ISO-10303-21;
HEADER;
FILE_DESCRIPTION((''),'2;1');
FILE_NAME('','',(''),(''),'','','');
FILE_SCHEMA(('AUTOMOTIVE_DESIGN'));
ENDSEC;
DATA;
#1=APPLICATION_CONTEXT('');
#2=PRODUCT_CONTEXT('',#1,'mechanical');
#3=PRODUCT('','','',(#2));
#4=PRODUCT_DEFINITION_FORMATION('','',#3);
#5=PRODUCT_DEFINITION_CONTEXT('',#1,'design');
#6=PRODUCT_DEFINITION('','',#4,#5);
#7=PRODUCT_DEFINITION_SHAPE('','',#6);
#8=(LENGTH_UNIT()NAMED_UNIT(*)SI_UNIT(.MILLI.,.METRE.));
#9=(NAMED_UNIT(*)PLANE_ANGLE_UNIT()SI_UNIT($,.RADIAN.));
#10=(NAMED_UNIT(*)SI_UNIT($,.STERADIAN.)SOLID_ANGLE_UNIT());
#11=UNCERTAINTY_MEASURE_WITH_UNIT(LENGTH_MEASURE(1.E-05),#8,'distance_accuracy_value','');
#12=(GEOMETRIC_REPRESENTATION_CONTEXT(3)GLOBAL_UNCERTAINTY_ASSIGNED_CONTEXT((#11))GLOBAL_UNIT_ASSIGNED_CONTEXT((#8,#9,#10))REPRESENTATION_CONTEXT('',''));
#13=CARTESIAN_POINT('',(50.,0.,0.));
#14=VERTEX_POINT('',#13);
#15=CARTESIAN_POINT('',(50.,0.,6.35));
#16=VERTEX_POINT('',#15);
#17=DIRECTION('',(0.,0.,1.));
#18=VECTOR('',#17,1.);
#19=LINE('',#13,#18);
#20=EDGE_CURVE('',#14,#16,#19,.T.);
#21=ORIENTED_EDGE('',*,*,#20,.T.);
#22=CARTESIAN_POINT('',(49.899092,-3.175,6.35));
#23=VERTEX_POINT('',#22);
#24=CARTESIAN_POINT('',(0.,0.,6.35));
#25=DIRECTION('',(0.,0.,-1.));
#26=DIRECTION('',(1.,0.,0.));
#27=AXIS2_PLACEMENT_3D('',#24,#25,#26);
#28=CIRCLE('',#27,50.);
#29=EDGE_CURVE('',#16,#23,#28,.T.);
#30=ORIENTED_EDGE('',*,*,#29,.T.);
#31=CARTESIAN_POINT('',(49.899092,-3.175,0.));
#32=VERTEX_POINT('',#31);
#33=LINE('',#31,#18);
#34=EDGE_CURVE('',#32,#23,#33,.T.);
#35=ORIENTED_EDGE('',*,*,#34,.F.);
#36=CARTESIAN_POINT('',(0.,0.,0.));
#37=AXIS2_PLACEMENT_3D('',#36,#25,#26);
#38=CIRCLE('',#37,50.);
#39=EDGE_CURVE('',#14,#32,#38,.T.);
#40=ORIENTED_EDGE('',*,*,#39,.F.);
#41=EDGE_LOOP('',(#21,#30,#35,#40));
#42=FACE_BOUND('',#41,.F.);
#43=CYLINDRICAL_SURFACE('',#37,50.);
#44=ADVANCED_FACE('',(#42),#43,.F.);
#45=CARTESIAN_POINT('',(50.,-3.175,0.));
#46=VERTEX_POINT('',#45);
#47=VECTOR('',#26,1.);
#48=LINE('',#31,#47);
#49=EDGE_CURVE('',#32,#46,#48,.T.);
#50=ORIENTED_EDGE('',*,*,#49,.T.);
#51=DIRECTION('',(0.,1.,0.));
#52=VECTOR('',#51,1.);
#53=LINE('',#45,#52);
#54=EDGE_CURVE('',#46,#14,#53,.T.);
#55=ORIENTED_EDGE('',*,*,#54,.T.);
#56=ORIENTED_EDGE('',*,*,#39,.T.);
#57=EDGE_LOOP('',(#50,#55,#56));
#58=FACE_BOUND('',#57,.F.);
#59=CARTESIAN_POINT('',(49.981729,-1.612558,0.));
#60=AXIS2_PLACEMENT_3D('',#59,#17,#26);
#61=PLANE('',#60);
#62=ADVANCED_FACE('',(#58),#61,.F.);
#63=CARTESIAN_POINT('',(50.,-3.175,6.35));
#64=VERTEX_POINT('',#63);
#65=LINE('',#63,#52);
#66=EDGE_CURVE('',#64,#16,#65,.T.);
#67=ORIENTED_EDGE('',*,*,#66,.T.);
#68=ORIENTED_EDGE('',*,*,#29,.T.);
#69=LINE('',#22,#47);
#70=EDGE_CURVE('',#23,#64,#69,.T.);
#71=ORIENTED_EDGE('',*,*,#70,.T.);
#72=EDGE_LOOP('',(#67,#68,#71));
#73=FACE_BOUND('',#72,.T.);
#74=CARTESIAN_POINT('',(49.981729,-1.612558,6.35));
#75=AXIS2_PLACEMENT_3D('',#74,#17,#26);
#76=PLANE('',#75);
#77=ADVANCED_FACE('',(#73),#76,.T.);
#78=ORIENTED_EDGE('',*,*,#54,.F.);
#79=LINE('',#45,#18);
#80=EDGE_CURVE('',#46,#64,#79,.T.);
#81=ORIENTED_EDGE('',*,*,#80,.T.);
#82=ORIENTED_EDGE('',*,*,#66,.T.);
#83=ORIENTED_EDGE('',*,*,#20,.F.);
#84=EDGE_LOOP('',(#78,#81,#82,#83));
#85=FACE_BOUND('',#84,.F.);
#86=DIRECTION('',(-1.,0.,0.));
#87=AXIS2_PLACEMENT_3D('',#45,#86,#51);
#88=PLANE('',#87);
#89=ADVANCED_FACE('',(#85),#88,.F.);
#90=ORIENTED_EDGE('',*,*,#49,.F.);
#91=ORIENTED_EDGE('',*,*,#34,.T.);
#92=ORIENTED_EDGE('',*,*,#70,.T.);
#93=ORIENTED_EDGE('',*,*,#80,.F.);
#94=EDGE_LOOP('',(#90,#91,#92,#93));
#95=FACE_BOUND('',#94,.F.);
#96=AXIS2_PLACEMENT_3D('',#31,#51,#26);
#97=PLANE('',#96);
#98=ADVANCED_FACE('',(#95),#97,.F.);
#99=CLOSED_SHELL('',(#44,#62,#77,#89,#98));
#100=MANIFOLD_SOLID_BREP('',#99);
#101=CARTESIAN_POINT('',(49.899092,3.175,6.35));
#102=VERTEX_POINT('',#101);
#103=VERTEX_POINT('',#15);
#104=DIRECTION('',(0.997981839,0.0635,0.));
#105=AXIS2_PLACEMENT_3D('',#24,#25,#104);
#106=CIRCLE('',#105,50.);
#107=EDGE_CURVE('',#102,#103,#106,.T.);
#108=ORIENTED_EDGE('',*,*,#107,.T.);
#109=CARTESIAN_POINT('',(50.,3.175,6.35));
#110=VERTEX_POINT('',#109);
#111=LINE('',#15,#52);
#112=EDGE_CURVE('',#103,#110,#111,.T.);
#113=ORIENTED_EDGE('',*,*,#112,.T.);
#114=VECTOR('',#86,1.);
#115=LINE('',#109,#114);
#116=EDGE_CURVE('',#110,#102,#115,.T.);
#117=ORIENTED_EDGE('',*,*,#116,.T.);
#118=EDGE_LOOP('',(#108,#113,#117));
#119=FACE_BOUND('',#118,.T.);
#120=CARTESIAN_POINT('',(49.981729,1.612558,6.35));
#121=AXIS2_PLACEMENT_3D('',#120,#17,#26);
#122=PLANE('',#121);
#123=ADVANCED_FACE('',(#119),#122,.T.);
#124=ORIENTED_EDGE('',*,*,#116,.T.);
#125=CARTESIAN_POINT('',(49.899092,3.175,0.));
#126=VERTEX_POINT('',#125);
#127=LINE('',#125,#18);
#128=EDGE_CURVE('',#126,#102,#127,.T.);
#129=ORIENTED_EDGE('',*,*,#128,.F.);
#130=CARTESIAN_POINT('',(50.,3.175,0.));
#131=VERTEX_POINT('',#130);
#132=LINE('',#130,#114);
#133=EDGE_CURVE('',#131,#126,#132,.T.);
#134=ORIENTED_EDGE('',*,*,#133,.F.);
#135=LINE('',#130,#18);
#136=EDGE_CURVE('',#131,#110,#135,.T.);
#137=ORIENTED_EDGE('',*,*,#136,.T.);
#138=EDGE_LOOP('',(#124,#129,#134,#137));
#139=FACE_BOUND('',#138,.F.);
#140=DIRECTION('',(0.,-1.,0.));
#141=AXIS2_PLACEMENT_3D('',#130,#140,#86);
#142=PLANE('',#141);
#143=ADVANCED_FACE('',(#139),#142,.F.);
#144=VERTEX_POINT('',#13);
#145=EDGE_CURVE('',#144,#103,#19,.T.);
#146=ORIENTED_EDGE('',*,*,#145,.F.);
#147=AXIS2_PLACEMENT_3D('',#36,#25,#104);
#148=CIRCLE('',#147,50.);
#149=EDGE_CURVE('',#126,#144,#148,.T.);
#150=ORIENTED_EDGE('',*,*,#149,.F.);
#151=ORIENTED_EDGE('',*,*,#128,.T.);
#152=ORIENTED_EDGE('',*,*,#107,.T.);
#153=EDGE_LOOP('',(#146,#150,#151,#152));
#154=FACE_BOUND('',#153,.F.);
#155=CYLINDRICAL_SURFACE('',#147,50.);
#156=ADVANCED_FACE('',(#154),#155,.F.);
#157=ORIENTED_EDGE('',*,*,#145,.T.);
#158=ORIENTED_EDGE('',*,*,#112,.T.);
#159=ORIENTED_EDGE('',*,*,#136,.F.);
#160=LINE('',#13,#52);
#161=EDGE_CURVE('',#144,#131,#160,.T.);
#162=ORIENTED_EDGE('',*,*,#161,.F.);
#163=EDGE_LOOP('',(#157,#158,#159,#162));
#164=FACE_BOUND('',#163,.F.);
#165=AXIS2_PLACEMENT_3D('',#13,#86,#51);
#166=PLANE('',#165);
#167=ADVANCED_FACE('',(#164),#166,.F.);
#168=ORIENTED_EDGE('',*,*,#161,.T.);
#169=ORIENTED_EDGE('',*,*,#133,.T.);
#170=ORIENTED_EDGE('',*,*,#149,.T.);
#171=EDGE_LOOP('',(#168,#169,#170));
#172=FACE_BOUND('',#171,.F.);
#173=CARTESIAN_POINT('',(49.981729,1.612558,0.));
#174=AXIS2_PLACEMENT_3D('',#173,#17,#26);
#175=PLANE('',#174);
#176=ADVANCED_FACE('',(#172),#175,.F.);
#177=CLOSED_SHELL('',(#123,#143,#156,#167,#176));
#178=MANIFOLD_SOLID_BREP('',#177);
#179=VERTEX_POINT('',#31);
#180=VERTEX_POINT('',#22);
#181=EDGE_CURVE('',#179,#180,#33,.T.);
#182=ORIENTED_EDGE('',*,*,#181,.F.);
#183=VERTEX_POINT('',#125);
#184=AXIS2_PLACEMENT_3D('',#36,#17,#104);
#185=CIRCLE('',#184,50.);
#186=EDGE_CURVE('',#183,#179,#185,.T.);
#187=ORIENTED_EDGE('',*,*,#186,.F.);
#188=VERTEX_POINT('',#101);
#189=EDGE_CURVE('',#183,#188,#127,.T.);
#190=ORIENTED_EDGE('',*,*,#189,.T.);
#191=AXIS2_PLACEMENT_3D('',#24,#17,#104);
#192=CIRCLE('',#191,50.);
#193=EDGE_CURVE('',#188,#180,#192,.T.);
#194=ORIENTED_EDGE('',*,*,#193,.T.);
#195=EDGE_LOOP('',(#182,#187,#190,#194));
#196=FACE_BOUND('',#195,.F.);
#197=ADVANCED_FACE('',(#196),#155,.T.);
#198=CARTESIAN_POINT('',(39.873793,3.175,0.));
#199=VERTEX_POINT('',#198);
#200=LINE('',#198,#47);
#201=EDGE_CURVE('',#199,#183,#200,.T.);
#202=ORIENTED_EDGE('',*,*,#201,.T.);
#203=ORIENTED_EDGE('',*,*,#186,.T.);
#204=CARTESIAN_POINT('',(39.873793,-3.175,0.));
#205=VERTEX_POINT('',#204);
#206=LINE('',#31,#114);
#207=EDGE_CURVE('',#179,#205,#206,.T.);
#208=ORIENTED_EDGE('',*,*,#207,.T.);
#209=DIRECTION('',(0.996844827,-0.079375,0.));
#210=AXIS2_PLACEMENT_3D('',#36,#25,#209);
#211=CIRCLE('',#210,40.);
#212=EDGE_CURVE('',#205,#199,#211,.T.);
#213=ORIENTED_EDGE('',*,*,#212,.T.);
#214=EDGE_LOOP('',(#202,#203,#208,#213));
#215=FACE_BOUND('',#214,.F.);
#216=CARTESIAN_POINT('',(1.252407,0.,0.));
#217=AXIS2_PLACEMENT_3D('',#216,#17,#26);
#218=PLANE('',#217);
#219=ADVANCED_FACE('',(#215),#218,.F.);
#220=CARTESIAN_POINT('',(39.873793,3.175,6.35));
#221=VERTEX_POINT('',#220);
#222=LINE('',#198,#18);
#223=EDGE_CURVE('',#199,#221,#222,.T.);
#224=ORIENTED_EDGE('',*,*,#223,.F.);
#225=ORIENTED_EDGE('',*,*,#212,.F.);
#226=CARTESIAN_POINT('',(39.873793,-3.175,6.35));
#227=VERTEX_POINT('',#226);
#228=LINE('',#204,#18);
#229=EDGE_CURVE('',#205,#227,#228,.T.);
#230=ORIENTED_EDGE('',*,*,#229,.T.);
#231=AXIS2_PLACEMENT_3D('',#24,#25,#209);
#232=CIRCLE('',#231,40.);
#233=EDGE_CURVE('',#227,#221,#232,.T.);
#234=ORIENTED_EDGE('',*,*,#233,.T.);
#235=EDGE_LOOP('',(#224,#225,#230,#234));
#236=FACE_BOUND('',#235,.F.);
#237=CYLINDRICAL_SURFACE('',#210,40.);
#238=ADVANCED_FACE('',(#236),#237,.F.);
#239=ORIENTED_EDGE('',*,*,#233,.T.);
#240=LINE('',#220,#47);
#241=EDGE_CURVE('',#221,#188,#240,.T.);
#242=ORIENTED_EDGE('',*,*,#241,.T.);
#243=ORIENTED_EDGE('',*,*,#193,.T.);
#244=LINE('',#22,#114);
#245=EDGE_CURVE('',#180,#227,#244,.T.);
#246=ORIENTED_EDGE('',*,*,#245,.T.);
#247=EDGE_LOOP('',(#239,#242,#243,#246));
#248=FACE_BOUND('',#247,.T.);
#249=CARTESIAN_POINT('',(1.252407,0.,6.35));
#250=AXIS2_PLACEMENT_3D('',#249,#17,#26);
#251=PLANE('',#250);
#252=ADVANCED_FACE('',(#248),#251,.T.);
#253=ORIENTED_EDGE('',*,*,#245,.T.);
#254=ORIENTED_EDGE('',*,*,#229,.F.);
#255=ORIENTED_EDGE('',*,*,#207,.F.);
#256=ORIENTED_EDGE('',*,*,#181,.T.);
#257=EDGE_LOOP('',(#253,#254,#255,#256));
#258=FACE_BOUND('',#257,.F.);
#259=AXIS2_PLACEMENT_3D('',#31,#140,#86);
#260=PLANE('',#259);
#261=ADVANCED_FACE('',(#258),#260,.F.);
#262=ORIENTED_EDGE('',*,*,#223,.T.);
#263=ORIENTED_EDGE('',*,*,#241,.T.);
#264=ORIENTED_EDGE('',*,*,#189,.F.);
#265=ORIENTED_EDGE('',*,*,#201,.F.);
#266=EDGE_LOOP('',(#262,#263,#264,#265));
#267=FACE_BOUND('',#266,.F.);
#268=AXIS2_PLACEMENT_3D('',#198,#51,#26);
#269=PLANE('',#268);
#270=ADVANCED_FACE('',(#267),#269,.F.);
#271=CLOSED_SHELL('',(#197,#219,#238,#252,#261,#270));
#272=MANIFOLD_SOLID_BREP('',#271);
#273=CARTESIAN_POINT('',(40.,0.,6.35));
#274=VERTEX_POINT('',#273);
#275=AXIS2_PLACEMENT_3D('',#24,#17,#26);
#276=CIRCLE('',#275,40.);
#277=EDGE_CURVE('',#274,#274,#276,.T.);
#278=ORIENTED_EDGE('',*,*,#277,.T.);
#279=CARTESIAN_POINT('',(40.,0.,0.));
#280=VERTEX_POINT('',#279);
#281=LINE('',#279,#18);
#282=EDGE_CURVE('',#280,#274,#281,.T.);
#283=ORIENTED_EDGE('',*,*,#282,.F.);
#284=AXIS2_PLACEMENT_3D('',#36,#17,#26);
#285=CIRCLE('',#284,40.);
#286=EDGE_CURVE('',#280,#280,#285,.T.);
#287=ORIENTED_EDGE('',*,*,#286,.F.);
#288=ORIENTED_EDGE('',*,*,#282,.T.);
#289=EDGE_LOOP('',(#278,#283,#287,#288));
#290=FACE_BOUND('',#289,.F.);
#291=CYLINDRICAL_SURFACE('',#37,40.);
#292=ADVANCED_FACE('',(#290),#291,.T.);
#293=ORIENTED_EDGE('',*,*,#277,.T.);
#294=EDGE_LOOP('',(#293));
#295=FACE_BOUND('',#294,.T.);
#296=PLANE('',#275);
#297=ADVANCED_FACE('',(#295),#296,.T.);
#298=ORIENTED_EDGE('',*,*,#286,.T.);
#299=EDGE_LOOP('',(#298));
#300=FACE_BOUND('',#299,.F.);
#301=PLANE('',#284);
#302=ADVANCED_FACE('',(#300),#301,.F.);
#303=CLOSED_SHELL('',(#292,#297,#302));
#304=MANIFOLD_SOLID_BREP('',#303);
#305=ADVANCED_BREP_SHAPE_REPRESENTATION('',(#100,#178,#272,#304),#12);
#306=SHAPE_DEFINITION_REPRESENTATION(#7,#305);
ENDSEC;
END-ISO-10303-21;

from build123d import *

# Parameters (mm, degrees)
F0_R     = 40
F1_DEPTH = 6.35
F3_DEPTH = 6.35


with BuildPart() as f1:
    # F0 (on Top) → F1 (new body)
    with BuildSketch(Plane.XY):
        Circle(F0_R)
    extrude(amount=F1_DEPTH)


with BuildPart() as f3:
    # F2 (on Top) → F3 (new body, through all)
    with BuildSketch(Plane.XY):
        with BuildLine():
            Line((50, 3.175), (49.8990919256, 3.175))
            ThreePointArc((49.8990919256, 3.175), (49.9747666142, 1.5883015645), (50, 0))
            Line((50, 0), (50, 3.175))
        make_face()
    extrude(amount=F3_DEPTH)


with BuildPart() as f3b:
    # F2 (on Top) → F3, piece 2 (new body, through all)
    with BuildSketch(Plane.XY):
        with BuildLine():
            ThreePointArc((50, 0), (49.9747666142, -1.5883015645), (49.8990919256, -3.175))
            Line((49.8990919256, -3.175), (50, -3.175))
            Line((50, -3.175), (50, 0))
        make_face()
    extrude(amount=F3_DEPTH)


with BuildPart() as f3c:
    # F2 (on Top) → F3, piece 3 (new body, through all)
    with BuildSketch(Plane.XY):
        with BuildLine():
            ThreePointArc((39.8737930852, -3.175), (-40, 0), (39.8737930852, 3.175))
            Line((39.8737930852, 3.175), (49.8990919256, 3.175))
            ThreePointArc((49.8990919256, 3.175), (-50, 0), (49.8990919256, -3.175))
            Line((49.8990919256, -3.175), (39.8737930852, -3.175))
        make_face()
    extrude(amount=F3_DEPTH)


solid = Compound([f1.part, f3.part, f3b.part, f3c.part])
